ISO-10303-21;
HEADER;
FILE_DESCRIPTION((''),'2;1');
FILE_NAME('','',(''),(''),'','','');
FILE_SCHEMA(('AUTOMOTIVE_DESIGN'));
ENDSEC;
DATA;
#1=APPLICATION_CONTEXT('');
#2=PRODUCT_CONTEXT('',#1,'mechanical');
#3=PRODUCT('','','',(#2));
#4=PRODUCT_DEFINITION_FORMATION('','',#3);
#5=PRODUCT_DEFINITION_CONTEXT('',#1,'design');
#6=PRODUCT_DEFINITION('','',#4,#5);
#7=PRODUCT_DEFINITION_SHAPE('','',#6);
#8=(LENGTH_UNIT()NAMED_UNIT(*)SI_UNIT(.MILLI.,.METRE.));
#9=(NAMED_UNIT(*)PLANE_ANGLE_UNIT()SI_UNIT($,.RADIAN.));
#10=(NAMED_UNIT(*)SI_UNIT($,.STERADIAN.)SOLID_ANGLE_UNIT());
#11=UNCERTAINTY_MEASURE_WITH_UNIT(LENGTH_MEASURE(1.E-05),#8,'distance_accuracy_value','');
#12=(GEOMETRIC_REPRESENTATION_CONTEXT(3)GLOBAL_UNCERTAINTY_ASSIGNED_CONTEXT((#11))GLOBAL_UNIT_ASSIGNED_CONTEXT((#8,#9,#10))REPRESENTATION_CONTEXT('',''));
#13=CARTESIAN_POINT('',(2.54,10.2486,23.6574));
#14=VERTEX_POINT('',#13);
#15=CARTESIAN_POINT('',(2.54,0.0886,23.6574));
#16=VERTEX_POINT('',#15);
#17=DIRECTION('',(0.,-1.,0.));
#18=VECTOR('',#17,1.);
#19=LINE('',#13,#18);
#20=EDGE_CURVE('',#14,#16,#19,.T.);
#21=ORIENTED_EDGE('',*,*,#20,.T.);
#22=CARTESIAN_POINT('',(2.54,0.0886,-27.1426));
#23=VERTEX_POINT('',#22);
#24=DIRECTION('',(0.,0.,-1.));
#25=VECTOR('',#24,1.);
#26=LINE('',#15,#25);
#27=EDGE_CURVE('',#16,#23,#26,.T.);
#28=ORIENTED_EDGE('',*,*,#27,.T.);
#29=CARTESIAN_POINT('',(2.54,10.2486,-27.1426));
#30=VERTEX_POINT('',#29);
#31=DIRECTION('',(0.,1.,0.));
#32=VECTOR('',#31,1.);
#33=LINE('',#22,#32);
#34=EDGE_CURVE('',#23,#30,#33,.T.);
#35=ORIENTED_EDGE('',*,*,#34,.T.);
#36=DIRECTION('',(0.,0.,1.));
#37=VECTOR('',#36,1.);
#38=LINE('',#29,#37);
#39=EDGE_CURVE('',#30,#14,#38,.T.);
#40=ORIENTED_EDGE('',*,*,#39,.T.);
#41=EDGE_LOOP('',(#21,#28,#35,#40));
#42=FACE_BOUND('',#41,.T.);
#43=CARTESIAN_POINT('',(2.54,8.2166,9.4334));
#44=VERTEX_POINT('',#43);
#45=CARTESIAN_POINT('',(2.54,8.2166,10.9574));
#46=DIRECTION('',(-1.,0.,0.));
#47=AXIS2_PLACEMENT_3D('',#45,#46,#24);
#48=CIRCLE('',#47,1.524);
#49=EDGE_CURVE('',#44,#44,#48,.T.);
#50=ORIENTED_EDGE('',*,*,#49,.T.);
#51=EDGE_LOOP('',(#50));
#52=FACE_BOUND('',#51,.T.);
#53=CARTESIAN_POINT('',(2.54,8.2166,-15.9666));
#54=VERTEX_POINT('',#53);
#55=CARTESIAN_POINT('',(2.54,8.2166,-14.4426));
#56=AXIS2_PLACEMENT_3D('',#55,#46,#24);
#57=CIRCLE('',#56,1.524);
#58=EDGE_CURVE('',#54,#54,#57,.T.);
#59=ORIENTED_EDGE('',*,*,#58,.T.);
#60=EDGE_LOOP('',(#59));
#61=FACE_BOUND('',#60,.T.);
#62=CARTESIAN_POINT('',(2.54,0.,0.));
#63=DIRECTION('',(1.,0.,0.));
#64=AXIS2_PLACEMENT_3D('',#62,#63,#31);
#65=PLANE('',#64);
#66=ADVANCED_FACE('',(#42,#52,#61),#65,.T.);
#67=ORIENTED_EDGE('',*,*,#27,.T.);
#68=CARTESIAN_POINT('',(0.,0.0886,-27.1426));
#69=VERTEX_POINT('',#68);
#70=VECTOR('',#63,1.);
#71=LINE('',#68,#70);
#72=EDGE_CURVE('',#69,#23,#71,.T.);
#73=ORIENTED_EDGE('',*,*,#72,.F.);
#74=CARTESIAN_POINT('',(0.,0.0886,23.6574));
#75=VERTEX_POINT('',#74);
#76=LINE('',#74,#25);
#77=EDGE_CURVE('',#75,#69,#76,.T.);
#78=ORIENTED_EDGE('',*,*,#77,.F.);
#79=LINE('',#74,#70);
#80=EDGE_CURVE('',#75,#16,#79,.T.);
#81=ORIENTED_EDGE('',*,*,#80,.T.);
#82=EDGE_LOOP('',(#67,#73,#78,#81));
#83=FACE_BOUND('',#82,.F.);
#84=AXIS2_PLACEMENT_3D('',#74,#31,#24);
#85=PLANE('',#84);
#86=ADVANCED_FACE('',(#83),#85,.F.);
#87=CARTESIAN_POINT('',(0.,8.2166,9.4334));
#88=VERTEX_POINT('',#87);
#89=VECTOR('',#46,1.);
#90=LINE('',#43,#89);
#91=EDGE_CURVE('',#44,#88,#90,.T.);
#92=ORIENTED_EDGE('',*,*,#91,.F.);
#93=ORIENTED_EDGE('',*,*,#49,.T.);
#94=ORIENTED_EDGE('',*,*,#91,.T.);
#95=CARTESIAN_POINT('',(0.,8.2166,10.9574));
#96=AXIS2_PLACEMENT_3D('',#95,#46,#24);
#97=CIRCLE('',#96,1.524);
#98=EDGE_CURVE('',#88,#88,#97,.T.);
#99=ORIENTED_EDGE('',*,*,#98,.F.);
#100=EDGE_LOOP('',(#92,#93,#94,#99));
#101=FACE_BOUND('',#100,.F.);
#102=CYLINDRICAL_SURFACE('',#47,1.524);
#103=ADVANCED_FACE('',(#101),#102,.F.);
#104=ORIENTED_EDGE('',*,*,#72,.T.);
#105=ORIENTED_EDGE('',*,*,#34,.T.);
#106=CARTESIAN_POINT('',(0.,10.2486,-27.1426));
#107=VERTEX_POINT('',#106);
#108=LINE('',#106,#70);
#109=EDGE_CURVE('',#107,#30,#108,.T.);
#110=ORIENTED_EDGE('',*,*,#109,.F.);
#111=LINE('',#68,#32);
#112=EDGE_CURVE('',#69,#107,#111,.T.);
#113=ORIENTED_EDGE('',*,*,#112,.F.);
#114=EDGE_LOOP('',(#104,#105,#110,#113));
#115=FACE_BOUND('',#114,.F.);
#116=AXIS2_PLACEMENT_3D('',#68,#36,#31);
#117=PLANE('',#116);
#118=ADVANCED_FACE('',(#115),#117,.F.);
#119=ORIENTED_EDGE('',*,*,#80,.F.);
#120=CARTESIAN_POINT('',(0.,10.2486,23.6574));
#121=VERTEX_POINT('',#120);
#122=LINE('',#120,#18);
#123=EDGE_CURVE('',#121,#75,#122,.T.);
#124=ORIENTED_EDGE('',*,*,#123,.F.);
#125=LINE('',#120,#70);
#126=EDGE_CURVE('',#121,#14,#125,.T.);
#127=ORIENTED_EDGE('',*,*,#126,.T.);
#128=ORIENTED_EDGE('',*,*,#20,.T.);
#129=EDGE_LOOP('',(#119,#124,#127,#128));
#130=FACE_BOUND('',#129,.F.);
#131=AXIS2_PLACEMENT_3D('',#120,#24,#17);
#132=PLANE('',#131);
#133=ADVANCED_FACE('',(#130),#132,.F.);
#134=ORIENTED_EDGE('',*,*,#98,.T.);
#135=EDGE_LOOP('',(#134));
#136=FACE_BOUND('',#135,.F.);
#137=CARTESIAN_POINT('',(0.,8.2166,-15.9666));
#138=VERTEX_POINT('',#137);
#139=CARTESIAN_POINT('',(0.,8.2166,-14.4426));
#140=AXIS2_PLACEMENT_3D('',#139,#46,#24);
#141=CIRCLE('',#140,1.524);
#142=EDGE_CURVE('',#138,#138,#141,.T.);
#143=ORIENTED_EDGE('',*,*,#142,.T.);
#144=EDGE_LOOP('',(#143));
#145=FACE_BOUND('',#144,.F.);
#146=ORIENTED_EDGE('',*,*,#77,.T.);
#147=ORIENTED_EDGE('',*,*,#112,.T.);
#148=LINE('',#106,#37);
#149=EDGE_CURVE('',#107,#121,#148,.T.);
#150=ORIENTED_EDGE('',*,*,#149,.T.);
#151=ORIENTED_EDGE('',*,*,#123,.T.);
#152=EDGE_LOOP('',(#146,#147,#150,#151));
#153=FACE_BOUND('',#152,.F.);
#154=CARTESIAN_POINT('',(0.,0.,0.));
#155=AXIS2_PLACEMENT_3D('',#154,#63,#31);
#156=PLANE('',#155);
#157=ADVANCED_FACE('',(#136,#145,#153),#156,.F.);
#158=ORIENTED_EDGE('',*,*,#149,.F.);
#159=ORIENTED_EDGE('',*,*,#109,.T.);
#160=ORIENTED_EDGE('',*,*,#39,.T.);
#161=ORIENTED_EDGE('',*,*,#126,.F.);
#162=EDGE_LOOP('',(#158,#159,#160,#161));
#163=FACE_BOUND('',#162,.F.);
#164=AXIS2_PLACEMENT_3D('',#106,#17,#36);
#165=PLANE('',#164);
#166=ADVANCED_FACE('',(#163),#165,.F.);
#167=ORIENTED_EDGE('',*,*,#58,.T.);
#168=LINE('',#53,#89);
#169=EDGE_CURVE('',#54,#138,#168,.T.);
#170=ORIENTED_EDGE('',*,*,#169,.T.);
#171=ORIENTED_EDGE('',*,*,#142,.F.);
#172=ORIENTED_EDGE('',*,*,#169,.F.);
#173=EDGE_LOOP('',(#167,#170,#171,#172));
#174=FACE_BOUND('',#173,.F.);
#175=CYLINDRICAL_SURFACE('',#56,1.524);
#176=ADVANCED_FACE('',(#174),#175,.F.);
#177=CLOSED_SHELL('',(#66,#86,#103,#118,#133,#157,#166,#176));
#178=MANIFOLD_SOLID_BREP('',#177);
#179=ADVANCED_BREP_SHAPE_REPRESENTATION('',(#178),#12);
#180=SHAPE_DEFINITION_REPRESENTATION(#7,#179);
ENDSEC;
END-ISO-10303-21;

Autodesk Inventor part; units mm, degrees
ref_plane "YZ Plane" through (0, 0, 0) normal (1, 0, 0) x (0, 1, 0)
ref_plane "XZ Plane" through (0, 0, 0) normal (0, 1, 0) x (-1, 0, 0)
ref_plane "XY Plane" through (0, 0, 0) normal (0, 0, 1) x (1, 0, 0)
sketch "Sketch1" plane through (0, 0, 0) normal (1, 0, 0) x (0, 1, 0)
  line L0 (10.2486, 23.6574) -> (0.0886, 23.6574)
  line L1 (0.0886, 23.6574) -> (0.0886, -27.1426)
  line L2 (0.0886, -27.1426) -> (10.2486, -27.1426)
  line L3 (10.2486, -27.1426) -> (10.2486, 23.6574)
  point P0 (0, 0)
  dimension "d0" = 50.8
  dimension "d1" = 10.16
extrude "Extrusion1" add sketch "Sketch1" along normal blind 2.54
sketch "Sketch2" plane through (2.54, 0, 0) normal (1, 0, 0) x (0, 0, -1)
  line L0 (-23.6574, 0.0886) -> (27.1426, 0.0886) projected
  line L1 (-23.6574, 10.2486) -> (-23.6574, 0.0886) projected
  point P0 (0, 0)
  point P1 (-10.9574, 8.2166)
  point P2 (14.4426, 8.2166)
  dimension "d4" = 0
  dimension "d5" = 8.128
  dimension "d6" = 12.7
  dimension "d7" = 25.4
hole "Hole1" at (2.54, 8.2166, 10.9574) at (2.54, 8.2166, -14.4426) direction (-1, 0, 0) diameter 3.048 end through all
properties part number "NeoPixel 8 Stick"
